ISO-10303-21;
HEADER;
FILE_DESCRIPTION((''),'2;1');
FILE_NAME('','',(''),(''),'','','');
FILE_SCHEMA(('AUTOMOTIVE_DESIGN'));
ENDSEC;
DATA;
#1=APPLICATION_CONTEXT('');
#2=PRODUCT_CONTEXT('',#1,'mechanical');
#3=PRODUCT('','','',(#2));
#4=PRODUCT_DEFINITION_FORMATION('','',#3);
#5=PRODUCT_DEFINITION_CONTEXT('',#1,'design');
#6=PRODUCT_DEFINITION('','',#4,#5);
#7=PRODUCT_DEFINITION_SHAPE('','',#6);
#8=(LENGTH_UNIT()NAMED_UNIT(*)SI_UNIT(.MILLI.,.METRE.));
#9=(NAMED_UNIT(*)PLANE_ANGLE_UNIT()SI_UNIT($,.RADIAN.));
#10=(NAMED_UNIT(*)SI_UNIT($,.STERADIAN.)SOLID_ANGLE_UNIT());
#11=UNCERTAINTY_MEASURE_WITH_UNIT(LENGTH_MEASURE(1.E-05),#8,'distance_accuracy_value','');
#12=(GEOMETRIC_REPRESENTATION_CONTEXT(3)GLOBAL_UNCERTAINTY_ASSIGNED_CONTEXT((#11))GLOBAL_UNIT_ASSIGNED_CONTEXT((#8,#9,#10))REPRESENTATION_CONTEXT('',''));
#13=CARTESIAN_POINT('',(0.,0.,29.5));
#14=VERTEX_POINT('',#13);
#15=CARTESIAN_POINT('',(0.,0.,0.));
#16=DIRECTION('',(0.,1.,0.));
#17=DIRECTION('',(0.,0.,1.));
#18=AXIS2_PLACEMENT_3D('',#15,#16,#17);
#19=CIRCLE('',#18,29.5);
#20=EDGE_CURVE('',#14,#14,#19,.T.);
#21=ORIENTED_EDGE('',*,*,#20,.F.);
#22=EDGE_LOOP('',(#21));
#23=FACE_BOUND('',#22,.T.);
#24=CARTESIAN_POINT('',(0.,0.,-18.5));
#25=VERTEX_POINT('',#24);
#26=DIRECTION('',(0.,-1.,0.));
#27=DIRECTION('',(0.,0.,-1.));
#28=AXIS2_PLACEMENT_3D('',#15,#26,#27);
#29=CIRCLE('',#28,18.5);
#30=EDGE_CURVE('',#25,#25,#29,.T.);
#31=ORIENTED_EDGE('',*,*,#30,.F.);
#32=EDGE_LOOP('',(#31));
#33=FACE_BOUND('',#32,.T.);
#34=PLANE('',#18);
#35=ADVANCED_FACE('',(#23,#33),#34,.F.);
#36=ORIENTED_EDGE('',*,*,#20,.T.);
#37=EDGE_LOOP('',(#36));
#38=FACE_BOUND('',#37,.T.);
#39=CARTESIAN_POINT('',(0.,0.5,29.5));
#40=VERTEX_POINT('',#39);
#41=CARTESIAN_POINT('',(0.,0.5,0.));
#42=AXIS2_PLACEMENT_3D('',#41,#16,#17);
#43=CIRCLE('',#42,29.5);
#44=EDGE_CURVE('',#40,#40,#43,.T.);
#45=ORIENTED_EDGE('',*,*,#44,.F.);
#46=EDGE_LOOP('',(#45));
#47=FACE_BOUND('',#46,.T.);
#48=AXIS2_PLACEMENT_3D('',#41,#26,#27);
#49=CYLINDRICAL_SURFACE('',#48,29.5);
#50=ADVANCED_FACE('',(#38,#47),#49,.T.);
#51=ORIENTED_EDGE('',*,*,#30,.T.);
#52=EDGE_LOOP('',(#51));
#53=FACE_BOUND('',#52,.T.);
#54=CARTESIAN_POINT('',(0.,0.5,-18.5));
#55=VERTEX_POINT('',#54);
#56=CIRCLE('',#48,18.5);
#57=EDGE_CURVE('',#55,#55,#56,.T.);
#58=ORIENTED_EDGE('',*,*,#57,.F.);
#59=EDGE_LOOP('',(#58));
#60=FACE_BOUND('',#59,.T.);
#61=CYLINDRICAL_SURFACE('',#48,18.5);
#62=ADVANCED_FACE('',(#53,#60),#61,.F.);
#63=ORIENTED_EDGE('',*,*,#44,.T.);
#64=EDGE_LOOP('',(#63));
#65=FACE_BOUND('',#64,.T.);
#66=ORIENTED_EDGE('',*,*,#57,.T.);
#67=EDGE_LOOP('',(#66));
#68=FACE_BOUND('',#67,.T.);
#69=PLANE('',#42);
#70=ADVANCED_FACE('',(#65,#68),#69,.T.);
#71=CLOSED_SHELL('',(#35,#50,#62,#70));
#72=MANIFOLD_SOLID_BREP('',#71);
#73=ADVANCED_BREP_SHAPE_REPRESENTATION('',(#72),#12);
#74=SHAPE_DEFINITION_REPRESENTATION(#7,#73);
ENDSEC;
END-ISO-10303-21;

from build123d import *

# Parameters (mm, degrees)
SKETCH1_R           = 29.5
BOSS_EXTRUDE1_DEPTH = 0.5
SKETCH2_R           = 18.5
CUT_EXTRUDE1_DEPTH  = 42.722296198


with BuildPart() as part:
    # Sketch1 → Boss-Extrude1 (new body)
    with BuildSketch(Plane(origin=(0, 0, 0), x_dir=(1, 0, 0), z_dir=(0, 1, 0))):
        with Locations(Location((0, 0, 0), (0, 0, 270))):
            Circle(SKETCH1_R)
    extrude(amount=BOSS_EXTRUDE1_DEPTH)

    # Sketch2 → Cut-Extrude1 (cut, through all)
    with BuildSketch(Plane.XZ):
        with Locations(Location((0, 0, 0), (0, 0, 270))):
            Circle(SKETCH2_R)
    extrude(amount=-CUT_EXTRUDE1_DEPTH, mode=Mode.SUBTRACT)


solid = part.part
